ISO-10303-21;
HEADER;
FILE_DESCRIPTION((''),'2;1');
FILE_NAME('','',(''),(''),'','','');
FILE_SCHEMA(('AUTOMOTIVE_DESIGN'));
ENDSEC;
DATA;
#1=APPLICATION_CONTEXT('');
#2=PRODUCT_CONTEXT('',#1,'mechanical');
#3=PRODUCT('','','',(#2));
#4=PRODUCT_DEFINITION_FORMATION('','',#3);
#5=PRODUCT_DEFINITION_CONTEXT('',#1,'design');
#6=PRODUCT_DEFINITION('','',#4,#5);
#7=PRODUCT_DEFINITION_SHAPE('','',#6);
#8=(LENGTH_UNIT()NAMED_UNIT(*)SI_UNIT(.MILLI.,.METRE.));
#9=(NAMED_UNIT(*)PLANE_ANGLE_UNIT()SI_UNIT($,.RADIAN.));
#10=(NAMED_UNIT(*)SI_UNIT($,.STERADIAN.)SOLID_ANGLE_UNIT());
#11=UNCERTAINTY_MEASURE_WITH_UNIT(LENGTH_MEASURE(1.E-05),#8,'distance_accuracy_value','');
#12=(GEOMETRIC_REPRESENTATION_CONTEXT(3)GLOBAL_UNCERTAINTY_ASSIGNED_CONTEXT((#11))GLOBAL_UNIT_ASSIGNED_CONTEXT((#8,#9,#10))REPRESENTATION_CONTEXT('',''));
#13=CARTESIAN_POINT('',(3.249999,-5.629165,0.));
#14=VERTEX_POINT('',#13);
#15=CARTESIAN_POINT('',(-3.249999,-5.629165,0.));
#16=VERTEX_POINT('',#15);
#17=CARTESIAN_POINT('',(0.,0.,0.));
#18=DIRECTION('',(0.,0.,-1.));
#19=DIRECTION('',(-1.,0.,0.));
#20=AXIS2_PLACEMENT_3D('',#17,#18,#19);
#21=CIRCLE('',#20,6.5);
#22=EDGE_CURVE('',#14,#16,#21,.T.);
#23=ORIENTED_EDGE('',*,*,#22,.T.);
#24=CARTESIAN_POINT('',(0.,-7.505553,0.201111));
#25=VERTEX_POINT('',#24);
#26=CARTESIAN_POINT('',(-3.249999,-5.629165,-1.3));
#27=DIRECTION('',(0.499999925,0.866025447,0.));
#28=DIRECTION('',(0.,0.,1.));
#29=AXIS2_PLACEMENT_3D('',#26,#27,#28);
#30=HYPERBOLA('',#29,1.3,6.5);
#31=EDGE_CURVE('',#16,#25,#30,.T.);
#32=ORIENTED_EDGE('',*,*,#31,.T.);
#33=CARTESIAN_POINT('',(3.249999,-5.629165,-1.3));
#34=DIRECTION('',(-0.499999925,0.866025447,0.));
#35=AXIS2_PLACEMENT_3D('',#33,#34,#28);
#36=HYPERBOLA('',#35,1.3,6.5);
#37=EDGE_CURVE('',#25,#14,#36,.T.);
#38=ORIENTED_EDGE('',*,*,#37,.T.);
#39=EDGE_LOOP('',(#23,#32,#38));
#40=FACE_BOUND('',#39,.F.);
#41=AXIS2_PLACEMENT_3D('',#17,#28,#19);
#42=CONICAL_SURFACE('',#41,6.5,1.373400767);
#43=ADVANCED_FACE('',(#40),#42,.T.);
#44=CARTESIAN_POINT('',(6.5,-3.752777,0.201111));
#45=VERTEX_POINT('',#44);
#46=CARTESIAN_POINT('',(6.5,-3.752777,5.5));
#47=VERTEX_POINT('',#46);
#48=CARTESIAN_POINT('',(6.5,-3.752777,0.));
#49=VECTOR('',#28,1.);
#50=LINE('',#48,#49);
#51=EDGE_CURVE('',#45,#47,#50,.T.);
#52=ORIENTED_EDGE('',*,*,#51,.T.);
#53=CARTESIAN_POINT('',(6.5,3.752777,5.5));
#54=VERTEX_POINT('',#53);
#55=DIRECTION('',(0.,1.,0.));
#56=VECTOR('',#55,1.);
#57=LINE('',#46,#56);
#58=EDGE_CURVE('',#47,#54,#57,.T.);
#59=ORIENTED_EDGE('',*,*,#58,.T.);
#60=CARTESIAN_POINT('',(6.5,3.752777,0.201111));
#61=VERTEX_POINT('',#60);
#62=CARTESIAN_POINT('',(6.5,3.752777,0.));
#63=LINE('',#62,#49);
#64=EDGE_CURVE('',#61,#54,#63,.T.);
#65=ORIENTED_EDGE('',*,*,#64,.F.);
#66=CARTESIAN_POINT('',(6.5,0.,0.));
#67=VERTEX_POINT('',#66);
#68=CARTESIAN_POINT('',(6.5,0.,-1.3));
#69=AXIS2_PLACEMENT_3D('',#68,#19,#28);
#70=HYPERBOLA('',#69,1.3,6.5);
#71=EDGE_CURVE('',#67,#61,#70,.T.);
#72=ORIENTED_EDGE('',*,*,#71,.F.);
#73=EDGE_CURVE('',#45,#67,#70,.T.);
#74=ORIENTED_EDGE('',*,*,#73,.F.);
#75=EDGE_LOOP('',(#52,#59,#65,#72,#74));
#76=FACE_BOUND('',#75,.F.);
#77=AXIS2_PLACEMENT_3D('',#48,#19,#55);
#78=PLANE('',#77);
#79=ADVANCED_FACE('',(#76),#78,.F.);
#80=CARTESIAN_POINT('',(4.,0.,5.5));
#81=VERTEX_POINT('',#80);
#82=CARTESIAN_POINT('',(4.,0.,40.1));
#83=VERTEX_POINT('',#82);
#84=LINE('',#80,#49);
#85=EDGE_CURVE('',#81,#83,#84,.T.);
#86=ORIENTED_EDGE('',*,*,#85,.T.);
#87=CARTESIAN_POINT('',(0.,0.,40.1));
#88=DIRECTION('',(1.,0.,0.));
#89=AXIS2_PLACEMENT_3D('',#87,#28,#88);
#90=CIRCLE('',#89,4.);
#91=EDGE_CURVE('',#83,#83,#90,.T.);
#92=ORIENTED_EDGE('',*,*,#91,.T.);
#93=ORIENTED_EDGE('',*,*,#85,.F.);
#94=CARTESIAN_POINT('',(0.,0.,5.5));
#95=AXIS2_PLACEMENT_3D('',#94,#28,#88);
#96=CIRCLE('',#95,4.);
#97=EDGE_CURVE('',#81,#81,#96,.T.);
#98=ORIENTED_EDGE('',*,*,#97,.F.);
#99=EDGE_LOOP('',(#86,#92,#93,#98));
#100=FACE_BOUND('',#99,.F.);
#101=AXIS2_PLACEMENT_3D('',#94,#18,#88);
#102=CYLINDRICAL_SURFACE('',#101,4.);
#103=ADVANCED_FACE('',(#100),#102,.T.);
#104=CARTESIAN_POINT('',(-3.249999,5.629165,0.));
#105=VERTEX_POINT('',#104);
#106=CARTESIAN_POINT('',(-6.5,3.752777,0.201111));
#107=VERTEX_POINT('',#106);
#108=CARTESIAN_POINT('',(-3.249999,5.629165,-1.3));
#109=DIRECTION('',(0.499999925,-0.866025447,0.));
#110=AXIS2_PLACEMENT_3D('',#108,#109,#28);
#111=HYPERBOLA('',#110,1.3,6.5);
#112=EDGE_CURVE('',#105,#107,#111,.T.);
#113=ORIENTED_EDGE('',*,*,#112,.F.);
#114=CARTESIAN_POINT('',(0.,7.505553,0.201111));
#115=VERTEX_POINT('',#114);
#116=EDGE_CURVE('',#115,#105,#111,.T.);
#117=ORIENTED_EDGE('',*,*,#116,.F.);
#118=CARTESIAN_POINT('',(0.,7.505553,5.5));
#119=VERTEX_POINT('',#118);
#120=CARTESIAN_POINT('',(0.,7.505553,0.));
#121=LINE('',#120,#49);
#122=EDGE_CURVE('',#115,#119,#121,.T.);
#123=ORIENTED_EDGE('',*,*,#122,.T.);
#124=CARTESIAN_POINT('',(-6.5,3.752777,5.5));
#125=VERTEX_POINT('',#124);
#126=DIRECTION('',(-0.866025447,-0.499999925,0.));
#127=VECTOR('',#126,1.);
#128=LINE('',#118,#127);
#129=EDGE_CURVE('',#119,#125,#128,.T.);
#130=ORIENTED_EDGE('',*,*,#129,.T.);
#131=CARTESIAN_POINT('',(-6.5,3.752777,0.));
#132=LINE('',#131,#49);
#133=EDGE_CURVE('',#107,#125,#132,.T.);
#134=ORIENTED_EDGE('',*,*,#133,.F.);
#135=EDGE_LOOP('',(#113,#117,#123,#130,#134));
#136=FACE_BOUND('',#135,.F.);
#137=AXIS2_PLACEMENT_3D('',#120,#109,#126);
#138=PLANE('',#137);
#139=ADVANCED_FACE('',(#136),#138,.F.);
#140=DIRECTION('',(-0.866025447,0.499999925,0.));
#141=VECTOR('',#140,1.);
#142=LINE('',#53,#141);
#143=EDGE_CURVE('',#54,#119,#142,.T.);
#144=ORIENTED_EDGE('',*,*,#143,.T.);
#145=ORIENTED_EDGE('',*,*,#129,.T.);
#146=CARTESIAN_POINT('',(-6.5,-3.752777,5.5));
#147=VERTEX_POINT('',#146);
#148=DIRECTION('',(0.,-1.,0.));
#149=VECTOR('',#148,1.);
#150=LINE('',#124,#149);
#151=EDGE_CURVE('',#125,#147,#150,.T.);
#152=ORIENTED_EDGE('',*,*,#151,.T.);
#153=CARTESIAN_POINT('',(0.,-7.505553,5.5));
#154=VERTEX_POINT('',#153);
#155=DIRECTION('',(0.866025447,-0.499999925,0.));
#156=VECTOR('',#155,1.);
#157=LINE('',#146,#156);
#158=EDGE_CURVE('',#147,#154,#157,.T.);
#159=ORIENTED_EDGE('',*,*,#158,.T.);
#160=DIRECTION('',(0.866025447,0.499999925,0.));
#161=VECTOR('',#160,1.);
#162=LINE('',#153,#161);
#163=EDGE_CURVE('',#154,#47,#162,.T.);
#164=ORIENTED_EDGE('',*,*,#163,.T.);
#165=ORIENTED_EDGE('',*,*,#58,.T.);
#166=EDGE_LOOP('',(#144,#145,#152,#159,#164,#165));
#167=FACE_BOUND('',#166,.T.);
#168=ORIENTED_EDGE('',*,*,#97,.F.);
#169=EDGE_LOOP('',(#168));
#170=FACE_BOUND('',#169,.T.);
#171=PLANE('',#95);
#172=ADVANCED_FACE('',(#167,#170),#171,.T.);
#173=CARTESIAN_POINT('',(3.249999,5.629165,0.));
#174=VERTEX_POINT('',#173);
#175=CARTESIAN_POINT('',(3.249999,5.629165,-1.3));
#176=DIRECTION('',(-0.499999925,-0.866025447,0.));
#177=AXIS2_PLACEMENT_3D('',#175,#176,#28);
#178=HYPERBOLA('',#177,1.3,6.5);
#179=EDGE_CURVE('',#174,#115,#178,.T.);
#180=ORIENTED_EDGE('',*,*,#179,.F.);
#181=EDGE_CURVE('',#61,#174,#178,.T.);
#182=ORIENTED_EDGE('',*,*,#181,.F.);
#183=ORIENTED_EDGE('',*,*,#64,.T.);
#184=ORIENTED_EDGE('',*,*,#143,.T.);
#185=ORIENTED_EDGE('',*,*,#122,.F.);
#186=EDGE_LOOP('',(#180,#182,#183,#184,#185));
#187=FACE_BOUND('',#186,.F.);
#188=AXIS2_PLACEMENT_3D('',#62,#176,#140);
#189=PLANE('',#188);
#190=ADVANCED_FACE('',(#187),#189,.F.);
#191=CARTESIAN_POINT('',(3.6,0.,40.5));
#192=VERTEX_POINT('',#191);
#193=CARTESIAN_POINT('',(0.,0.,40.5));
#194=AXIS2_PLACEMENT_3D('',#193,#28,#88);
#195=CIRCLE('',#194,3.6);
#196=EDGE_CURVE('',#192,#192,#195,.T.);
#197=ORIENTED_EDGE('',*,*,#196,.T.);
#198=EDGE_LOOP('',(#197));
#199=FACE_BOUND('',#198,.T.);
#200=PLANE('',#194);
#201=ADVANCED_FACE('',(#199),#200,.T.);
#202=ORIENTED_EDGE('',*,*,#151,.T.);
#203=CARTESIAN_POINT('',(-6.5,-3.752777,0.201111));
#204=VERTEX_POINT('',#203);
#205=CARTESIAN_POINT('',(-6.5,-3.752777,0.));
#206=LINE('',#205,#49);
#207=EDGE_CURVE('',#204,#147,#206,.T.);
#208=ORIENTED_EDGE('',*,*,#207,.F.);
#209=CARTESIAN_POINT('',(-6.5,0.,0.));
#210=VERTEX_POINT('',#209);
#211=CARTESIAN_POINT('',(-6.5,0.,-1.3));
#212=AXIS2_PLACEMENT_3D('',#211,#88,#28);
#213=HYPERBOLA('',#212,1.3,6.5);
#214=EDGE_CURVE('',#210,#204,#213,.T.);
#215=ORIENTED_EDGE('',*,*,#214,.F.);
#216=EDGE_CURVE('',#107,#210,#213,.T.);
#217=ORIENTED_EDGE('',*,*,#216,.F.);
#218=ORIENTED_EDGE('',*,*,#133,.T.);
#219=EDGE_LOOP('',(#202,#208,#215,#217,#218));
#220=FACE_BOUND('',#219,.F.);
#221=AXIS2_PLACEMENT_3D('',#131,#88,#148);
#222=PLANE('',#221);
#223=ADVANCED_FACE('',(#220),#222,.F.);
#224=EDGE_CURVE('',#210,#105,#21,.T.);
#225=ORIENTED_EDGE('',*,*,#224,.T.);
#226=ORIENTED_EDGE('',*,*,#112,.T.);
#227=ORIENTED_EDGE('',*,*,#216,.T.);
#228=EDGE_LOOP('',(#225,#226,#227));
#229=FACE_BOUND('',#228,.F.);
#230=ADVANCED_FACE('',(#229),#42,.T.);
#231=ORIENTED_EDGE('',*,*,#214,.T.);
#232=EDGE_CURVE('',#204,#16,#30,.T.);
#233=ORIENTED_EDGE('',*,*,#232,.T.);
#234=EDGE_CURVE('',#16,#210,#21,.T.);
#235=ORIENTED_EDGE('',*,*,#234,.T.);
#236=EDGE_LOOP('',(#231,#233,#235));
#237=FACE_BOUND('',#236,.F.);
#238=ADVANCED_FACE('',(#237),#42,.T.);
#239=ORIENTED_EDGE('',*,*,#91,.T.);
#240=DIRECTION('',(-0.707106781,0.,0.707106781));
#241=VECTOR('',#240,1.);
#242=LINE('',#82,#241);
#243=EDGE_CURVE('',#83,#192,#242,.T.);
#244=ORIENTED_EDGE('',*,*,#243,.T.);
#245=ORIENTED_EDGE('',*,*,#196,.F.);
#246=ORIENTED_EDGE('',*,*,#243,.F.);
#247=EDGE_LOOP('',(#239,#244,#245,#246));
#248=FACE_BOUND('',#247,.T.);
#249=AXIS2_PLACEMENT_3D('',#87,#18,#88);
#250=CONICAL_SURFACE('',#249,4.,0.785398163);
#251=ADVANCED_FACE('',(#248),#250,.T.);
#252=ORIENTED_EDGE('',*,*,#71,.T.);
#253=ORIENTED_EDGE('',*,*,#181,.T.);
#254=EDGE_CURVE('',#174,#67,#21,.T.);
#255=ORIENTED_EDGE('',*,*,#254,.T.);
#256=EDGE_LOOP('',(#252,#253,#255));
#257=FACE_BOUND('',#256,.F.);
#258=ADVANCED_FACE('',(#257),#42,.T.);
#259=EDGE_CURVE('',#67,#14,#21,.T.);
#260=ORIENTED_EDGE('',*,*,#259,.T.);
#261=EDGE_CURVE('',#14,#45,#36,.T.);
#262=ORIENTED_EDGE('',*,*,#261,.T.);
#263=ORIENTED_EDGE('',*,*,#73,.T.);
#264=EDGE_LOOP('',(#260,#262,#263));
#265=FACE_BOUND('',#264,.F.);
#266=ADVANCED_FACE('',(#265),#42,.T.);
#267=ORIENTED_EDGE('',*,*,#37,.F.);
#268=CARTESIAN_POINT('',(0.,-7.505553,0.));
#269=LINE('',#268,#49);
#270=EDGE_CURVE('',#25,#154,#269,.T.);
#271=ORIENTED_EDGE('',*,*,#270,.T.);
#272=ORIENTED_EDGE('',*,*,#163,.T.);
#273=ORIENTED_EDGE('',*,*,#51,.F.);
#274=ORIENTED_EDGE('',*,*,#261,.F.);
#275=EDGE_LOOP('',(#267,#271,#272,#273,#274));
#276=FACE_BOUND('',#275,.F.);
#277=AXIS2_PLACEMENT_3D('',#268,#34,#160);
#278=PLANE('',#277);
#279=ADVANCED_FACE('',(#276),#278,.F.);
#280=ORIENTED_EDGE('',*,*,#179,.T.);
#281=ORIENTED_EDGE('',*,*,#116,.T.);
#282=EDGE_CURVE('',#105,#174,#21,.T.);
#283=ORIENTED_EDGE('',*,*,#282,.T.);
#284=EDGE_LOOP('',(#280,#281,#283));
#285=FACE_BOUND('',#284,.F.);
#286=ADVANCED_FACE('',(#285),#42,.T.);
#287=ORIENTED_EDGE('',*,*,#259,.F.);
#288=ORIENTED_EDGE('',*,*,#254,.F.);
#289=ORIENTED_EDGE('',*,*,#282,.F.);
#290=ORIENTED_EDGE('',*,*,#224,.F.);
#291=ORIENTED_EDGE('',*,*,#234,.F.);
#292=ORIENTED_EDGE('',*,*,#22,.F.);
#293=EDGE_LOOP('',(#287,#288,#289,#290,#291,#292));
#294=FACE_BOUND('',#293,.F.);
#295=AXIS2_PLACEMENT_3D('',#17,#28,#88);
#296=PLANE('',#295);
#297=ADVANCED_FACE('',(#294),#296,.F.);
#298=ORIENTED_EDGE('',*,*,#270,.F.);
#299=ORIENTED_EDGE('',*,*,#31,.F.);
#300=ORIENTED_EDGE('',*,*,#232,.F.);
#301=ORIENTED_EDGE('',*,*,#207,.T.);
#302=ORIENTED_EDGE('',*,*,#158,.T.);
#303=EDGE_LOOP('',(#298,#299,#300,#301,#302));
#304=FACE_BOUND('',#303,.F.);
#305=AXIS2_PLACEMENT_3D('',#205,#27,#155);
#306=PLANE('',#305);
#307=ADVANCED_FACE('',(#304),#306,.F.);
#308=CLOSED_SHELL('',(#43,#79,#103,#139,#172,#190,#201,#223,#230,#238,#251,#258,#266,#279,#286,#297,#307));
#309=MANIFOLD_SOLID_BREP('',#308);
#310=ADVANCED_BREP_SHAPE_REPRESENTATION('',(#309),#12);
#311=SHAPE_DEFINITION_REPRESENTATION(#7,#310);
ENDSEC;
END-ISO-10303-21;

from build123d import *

# Parameters (mm, degrees)
F1_DEPTH = 5.5
F2_R     = 4
F3_DEPTH = 35
F4_SIZE  = 0.4


with BuildPart() as f1:
    # F0 (on Top) → F1 (new body)
    with BuildSketch(Plane.XY):
        Polygon((6.5, 3.752777), (0, 7.505553), (-6.5, 3.752777), (-6.5, -3.752777), (0, -7.505553), (6.5, -3.752777), align=None)
    extrude(amount=F1_DEPTH)

    # F2 (on face) → F3 (join)
    with BuildSketch(Plane.XY.offset(5.5)):
        Circle(F2_R)
    extrude(amount=F3_DEPTH)

    # F4
    f4_edges = [f1.edges().sort_by_distance(p)[0] for p in [
        (-4, 0, 40.5),
    ]]
    chamfer(f4_edges, length=F4_SIZE)

    # F5 (on Front) → F6 (revolve, cut)
    with BuildSketch(Plane.XZ):
        Polygon((-11.5, 1), (-11.5, 0), (-6.5, 0), align=None)
    revolve(axis=Axis((0, 0, 5.5), (0, 0, -1)), mode=Mode.SUBTRACT)


solid = f1.part
